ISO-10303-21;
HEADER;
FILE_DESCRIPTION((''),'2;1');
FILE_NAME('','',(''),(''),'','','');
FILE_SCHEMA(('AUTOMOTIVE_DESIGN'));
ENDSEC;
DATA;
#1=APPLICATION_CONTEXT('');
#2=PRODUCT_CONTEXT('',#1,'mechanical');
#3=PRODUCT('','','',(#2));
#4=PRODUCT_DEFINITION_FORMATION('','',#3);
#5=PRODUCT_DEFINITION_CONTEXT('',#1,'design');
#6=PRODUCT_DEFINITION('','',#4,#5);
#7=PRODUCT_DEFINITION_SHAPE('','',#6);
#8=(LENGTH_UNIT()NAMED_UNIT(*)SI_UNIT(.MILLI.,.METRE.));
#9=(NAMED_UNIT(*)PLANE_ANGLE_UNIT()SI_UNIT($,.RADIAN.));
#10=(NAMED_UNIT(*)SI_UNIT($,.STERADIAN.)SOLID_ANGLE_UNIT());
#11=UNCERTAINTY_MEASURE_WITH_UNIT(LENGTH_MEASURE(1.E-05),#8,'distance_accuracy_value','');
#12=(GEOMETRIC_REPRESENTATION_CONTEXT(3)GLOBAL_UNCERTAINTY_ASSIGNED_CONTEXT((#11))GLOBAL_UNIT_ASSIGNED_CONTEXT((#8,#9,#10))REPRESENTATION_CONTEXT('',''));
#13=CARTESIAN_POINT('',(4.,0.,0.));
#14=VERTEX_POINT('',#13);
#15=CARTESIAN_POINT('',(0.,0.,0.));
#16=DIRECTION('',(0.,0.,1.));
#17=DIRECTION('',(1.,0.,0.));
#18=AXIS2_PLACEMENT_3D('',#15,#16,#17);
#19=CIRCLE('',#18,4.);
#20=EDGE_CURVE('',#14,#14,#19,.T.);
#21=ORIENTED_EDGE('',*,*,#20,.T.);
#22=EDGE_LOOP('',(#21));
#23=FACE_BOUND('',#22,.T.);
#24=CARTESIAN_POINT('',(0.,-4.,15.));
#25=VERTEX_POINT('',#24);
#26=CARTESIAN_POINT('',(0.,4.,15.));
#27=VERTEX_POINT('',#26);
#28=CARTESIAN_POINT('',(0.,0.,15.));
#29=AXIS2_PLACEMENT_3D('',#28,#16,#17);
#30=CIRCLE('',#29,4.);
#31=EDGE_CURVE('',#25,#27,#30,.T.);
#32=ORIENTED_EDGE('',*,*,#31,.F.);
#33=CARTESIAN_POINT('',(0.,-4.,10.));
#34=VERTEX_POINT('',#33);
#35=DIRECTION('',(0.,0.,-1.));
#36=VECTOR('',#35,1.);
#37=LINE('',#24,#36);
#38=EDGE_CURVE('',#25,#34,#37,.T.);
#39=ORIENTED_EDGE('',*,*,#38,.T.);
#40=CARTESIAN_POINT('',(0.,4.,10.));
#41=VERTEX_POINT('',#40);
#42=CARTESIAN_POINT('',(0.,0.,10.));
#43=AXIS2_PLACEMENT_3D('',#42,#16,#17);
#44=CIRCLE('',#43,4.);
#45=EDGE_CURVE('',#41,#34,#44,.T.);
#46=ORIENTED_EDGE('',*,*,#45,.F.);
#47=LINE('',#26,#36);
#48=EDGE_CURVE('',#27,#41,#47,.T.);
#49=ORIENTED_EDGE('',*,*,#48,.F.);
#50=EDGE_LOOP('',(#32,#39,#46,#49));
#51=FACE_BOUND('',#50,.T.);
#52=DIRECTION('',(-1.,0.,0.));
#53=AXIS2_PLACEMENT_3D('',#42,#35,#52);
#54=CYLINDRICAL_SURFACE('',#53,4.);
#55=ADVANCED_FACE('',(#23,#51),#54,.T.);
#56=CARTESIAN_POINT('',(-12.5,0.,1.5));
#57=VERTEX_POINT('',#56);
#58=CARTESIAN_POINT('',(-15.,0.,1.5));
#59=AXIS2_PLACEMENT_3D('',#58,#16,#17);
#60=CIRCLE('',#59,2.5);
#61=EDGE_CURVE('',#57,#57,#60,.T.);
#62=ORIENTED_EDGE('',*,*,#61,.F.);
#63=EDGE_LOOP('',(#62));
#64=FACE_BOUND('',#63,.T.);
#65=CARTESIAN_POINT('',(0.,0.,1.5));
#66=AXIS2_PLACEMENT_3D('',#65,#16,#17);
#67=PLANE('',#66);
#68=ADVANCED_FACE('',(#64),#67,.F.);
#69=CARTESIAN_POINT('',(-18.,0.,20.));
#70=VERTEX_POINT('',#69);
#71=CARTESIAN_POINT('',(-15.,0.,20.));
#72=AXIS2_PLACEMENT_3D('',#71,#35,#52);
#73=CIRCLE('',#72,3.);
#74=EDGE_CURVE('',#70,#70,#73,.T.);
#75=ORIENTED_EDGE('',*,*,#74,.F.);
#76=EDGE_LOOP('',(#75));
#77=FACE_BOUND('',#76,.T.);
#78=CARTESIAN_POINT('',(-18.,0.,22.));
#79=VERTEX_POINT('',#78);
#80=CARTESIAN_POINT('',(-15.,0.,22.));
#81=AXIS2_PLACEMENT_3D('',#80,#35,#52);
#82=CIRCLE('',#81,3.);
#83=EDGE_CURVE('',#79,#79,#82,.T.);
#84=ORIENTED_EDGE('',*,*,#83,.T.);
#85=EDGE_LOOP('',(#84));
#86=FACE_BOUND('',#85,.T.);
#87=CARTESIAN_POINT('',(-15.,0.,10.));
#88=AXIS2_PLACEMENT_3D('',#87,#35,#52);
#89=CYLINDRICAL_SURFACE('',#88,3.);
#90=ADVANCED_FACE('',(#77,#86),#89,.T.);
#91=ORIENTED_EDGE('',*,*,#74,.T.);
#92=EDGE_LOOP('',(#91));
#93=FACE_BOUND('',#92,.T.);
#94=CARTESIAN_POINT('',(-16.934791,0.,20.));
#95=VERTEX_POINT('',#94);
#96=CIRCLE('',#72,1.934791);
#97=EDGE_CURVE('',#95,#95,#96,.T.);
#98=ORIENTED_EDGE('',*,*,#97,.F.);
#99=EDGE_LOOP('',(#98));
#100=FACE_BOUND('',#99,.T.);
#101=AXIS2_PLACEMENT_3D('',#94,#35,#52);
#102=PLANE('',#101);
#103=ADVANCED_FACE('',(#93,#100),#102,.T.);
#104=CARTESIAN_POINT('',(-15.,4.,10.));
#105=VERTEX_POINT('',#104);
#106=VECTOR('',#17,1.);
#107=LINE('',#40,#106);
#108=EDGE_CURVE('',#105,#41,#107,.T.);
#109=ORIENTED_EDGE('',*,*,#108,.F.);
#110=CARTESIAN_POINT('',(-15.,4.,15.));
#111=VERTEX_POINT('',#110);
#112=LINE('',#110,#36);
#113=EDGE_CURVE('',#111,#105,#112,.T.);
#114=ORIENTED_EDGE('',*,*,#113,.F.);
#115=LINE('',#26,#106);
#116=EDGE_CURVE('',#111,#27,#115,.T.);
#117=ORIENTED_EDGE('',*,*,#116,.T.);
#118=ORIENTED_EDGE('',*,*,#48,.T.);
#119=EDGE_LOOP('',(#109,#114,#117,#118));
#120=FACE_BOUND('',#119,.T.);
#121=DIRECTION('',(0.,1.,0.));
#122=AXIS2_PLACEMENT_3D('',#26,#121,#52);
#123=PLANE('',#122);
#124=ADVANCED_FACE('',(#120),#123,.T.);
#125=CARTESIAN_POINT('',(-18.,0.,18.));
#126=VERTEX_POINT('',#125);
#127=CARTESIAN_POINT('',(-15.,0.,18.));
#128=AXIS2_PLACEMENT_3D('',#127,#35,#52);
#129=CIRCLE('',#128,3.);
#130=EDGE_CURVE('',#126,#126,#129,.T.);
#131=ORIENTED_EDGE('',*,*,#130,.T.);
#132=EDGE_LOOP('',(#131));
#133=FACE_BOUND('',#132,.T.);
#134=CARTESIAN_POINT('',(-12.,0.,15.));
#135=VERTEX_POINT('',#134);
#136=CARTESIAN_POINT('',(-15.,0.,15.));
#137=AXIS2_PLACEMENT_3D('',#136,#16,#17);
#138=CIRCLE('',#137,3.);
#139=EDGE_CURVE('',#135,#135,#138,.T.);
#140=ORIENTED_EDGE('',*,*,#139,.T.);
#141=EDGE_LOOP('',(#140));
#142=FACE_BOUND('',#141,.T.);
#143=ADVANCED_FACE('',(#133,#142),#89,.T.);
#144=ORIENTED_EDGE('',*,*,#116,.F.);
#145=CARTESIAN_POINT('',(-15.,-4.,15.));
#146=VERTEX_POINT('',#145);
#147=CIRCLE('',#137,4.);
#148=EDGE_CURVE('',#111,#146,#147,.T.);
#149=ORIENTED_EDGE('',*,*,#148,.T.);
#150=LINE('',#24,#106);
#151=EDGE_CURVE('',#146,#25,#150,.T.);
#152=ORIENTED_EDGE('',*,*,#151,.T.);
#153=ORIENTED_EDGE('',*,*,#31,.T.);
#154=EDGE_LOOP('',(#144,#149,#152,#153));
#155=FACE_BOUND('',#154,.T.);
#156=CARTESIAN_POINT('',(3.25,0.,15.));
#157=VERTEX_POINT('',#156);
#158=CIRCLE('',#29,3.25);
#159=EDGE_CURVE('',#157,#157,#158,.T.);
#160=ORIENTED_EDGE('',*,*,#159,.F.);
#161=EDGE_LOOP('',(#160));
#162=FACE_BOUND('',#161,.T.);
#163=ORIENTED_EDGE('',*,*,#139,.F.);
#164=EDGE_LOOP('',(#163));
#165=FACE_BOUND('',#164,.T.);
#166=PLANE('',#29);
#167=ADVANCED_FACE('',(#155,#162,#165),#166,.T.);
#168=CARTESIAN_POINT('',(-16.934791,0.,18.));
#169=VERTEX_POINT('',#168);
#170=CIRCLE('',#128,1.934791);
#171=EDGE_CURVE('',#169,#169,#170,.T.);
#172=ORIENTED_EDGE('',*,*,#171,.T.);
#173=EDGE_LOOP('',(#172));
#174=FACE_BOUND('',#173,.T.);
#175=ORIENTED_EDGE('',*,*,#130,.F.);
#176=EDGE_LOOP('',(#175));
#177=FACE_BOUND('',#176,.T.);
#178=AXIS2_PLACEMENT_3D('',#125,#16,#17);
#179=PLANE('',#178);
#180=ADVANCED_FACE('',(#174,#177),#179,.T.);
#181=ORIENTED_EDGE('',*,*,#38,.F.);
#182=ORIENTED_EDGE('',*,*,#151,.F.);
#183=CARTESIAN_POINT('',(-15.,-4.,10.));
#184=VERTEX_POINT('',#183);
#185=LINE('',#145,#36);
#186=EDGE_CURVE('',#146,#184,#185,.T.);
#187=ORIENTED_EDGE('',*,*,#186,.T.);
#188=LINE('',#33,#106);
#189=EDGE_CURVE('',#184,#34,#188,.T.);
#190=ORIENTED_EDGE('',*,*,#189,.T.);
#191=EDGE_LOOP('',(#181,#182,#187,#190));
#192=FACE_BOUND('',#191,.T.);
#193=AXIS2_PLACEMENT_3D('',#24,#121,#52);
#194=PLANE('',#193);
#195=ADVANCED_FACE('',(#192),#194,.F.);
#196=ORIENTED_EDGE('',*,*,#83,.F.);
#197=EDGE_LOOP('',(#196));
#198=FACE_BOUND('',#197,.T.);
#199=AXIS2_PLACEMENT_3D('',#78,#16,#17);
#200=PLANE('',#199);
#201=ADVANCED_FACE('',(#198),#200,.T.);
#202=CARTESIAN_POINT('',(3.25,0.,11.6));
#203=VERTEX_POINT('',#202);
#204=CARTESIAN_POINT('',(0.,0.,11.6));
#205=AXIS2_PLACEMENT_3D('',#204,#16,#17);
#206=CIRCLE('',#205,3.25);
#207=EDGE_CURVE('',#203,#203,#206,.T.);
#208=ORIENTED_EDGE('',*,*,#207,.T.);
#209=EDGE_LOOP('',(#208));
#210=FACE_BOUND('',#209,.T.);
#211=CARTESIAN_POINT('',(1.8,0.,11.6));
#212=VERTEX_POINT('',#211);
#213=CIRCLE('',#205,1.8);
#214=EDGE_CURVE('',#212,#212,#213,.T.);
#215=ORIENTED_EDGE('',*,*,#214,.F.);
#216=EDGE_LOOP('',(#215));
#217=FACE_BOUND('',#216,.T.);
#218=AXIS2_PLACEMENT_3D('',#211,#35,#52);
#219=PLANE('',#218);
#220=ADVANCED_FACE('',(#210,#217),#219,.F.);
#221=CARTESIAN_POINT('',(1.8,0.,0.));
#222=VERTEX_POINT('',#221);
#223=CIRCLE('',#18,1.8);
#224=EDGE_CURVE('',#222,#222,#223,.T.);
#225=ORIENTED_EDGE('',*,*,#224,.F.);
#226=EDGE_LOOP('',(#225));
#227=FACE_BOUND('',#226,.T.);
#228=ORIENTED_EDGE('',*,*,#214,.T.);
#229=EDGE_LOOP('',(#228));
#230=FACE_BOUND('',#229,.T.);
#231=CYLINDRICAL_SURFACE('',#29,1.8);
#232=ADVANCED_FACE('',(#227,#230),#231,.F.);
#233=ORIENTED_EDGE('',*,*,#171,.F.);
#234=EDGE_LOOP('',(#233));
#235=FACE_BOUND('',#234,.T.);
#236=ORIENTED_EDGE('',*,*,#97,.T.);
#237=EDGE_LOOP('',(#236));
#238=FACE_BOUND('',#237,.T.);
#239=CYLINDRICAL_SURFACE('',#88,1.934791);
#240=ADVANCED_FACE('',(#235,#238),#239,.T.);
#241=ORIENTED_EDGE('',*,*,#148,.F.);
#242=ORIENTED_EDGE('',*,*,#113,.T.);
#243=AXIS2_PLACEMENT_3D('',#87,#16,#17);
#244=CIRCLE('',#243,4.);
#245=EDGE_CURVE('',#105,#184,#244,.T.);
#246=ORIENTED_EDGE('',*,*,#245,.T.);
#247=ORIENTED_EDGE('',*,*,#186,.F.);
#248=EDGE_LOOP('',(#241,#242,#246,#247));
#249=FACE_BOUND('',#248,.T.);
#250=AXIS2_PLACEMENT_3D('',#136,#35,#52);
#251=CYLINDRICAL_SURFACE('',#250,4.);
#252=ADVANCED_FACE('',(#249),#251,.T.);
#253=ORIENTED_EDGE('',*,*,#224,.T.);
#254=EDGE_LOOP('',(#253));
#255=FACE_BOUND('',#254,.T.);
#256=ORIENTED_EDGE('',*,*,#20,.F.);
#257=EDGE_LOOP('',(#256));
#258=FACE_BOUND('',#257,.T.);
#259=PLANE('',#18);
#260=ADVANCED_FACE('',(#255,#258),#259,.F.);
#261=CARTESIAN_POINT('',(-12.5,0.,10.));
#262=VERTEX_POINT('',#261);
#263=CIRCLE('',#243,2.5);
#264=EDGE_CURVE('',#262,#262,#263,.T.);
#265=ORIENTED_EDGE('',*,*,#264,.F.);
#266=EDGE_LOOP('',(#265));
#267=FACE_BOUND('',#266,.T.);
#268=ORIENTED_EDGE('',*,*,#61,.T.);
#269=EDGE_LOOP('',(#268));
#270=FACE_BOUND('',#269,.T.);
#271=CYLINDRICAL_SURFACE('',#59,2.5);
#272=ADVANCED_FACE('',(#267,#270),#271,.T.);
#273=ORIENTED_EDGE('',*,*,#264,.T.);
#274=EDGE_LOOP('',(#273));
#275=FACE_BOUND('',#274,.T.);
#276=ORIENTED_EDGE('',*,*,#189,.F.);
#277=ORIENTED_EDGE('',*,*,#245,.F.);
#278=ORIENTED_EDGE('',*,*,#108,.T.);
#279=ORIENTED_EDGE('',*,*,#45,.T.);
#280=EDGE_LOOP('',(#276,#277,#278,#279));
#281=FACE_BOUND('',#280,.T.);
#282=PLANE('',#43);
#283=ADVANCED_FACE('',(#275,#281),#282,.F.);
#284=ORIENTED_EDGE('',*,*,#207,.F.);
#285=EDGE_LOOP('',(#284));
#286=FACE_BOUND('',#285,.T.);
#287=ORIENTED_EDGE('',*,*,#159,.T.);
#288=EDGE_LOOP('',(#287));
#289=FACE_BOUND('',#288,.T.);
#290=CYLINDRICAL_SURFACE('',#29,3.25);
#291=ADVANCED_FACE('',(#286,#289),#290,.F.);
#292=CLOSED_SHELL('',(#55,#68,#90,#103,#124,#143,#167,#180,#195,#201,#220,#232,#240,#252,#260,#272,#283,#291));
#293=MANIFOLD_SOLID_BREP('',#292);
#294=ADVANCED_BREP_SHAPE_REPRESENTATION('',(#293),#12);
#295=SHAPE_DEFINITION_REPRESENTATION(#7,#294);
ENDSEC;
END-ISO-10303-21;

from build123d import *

# Parameters (mm, degrees)
SKETCH1_R                                           = 4
BOSS_EXTRUDE1_DEPTH                                 = 10
BOSS_EXTRUDE2_DEPTH                                 = 5
SKETCH2_3_R                                         = 2.5
BOSS_EXTRUDE3_DEPTH                                 = 8.5
CBORE_FOR_M3_HEX_SOCKET_HEAD_CAP_SCREW1_D           = 3.6
CBORE_FOR_M3_HEX_SOCKET_HEAD_CAP_SCREW1_CBORE_D     = 6.5
CBORE_FOR_M3_HEX_SOCKET_HEAD_CAP_SCREW1_CBORE_DEPTH = 3.4


with BuildPart() as part:
    # Sketch1 → Boss-Extrude1 (new body)
    with BuildSketch(Plane.XY):
        Circle(SKETCH1_R)
    extrude(amount=BOSS_EXTRUDE1_DEPTH)

    # Sketch2 → Boss-Extrude2 (add)
    with BuildSketch(Plane.XY.offset(10)):
        with BuildLine():
            Line((0, 4), (-15, 4))
            ThreePointArc((-15, 4), (-19, 0), (-15, -4))
            Line((-15, -4), (0, -4))
            ThreePointArc((0, -4), (4, 0), (0, 4))
        make_face()
    extrude(amount=BOSS_EXTRUDE2_DEPTH)

    # Sketch2<3> → Boss-Extrude3 (add)
    with BuildSketch(Plane.XY.offset(10)):
        with Locations((-15, 0)):
            Circle(SKETCH2_3_R)
    extrude(amount=-BOSS_EXTRUDE3_DEPTH)

    # CBORE for M3 Hex Socket Head Cap Screw1 (through all)
    with Locations(Plane.XY.offset(15)):
        with Locations((0, 0)):
            CounterBoreHole(CBORE_FOR_M3_HEX_SOCKET_HEAD_CAP_SCREW1_D / 2, CBORE_FOR_M3_HEX_SOCKET_HEAD_CAP_SCREW1_CBORE_D / 2, CBORE_FOR_M3_HEX_SOCKET_HEAD_CAP_SCREW1_CBORE_DEPTH)

    # Sketch6 → Revolve1 (revolve)
    with BuildSketch(Plane(origin=(0, 0, 0), x_dir=(1, 0, 0), z_dir=(0, 1, 0))):
        Polygon((-15, -15), (-18, -15), (-18, -18), (-16.934791303, -18), (-16.934791303, -20), (-18, -20), (-18, -22), (-15, -22), align=None)
    revolve(axis=Axis((-15, 0, 10), (0, 0, 1)))


solid = part.part
